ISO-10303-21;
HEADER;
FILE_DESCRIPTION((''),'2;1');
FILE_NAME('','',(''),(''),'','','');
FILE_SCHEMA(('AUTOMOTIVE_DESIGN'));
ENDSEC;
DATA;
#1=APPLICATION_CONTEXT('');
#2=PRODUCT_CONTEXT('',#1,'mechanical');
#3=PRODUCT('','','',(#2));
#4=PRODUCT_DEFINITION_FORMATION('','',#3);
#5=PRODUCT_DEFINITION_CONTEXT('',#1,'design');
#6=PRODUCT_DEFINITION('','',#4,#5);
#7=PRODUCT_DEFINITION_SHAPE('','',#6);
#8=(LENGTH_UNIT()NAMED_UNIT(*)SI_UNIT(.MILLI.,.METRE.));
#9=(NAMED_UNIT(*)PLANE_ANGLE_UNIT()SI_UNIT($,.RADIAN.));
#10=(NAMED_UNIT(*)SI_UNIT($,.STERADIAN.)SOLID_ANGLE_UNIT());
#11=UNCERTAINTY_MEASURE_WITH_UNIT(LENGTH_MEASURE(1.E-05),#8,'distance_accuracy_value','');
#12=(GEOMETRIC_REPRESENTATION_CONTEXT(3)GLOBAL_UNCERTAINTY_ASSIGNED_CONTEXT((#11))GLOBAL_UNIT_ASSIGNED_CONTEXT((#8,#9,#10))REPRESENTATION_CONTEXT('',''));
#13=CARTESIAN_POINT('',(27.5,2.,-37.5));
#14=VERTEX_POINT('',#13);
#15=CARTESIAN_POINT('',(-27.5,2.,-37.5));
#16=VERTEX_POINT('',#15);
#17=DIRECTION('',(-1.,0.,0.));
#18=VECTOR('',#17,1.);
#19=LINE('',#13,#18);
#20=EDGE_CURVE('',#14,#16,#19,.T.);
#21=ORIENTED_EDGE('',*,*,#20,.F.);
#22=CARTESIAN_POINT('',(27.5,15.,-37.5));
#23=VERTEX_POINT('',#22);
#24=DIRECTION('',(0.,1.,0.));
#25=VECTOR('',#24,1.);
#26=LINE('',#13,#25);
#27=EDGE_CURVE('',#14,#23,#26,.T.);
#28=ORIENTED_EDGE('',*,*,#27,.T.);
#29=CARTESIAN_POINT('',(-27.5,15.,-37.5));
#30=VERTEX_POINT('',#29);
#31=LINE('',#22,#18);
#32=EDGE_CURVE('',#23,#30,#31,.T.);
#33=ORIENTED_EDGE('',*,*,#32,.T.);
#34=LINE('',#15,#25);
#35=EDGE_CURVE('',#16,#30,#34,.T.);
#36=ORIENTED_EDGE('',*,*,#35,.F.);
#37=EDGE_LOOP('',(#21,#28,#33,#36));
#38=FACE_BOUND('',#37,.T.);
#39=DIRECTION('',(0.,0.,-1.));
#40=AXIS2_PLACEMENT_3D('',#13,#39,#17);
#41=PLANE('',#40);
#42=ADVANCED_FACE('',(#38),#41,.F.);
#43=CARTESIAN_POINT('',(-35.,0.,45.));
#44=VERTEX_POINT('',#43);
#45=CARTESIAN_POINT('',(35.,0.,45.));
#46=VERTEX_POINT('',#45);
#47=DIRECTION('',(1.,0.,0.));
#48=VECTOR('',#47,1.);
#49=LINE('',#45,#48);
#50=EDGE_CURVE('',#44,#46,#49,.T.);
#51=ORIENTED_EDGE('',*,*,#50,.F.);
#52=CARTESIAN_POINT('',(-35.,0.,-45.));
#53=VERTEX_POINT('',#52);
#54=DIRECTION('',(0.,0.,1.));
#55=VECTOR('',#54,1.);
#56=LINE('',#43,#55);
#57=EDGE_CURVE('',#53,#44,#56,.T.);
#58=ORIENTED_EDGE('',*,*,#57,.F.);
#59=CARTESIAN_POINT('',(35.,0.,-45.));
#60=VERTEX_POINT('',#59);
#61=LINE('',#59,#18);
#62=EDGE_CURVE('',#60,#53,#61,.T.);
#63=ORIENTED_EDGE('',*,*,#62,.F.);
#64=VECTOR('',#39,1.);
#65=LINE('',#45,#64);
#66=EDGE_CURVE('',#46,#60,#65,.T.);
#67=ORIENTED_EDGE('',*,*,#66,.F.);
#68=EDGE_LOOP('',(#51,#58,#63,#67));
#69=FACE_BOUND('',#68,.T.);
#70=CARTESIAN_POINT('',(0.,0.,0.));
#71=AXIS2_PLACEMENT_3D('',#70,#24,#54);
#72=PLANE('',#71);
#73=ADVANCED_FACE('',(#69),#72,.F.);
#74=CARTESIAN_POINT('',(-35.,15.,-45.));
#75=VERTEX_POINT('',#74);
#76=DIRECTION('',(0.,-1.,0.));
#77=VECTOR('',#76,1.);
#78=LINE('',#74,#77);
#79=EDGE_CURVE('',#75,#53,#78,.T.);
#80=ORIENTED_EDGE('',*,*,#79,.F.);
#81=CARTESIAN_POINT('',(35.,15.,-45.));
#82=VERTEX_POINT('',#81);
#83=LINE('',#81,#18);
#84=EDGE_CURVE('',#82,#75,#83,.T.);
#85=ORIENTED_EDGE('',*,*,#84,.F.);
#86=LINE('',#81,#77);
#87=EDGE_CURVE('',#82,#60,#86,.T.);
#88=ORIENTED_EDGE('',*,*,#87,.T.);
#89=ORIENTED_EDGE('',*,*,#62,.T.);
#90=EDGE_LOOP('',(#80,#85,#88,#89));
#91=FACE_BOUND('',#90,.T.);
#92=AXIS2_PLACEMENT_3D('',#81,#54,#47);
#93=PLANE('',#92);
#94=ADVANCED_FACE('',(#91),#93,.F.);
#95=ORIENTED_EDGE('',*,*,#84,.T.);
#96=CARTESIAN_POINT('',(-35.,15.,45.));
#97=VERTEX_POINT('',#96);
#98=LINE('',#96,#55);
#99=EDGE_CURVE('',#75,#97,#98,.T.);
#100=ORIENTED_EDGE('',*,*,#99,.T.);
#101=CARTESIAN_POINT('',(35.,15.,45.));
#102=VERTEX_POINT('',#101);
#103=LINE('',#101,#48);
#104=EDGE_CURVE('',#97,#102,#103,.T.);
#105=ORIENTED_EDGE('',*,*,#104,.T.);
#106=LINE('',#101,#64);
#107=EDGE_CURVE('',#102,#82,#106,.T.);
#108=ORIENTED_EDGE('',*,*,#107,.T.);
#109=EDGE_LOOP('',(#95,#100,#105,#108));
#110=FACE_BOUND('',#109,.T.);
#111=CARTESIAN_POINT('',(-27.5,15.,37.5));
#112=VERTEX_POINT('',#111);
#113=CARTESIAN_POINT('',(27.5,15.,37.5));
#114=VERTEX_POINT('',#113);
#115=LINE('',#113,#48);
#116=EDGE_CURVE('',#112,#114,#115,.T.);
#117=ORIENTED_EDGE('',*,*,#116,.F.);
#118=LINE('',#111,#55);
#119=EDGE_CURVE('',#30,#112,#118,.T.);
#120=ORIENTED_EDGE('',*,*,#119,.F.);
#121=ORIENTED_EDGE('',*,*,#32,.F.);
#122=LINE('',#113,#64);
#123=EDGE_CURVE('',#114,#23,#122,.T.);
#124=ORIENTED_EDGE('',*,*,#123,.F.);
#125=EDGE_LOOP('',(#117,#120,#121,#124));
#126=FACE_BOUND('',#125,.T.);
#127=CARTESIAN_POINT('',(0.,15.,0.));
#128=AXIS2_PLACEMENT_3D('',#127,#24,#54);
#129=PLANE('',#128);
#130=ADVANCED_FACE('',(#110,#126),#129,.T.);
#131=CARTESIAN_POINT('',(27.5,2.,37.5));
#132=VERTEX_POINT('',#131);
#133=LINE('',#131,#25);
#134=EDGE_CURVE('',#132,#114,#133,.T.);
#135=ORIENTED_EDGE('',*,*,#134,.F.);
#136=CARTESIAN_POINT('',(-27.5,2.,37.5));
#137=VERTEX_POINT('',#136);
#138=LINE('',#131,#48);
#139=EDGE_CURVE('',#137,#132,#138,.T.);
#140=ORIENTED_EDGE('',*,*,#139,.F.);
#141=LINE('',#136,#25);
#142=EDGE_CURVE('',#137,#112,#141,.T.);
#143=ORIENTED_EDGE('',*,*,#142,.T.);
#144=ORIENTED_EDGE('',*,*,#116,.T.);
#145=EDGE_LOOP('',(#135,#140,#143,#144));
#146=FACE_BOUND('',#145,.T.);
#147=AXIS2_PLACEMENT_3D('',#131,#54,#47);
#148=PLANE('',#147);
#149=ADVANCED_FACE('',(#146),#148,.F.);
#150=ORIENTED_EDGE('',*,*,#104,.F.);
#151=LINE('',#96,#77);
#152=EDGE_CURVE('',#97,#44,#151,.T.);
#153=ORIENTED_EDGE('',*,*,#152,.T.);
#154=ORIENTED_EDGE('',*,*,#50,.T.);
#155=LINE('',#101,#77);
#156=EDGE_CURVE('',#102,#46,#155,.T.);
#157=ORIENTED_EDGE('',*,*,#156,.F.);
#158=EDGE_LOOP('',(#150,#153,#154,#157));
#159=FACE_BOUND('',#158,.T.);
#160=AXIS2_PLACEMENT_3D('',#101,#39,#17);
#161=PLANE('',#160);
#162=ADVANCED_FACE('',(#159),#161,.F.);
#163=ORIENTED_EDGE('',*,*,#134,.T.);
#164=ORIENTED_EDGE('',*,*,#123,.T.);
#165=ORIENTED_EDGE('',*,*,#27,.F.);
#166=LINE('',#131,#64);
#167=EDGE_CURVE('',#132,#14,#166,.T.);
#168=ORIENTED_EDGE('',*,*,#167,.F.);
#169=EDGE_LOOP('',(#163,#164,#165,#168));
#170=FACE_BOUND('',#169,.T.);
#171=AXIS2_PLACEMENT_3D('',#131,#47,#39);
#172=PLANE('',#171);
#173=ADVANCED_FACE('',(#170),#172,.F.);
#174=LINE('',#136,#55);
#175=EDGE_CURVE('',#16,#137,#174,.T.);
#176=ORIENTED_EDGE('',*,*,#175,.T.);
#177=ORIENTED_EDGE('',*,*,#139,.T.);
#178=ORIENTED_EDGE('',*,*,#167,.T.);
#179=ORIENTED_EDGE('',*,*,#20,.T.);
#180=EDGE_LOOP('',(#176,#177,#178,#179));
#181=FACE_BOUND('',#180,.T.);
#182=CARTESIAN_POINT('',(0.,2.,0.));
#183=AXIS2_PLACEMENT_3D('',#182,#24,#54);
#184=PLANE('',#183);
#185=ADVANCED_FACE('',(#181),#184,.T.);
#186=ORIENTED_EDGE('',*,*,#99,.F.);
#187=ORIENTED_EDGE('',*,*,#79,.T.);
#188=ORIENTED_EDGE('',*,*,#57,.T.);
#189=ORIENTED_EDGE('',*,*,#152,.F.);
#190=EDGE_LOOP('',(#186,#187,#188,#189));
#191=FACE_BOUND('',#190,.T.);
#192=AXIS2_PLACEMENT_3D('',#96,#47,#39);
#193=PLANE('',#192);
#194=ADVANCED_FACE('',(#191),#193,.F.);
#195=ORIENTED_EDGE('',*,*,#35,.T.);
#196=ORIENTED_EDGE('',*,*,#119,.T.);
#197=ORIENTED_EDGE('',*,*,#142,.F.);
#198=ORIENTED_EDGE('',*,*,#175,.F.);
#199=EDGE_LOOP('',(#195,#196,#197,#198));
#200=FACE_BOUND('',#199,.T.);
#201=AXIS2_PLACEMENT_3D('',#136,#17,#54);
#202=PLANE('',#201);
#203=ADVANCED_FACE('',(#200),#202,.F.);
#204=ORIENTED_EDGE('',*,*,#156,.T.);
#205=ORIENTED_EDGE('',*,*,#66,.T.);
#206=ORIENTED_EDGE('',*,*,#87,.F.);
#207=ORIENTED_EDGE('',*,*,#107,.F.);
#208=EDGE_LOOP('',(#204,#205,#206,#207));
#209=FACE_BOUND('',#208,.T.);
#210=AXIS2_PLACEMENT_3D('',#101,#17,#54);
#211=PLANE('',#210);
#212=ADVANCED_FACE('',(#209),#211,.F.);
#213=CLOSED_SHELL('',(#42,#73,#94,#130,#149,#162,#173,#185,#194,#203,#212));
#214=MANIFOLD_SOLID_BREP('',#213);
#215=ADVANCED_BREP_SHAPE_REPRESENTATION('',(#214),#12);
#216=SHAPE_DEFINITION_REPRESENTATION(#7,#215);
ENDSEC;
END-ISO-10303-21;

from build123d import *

# Parameters (mm, degrees)
SKETCH1_W           = 70
SKETCH1_H           = 90
BOSS_EXTRUDE1_DEPTH = 15
SKETCH2_W           = 55
SKETCH2_H           = 75
CUT_EXTRUDE1_DEPTH  = 13


with BuildPart() as part:
    # Sketch1 → Boss-Extrude1 (new body)
    with BuildSketch(Plane(origin=(0, 0, 0), x_dir=(1, 0, 0), z_dir=(0, 1, 0))):
        Rectangle(SKETCH1_W, SKETCH1_H)
    extrude(amount=BOSS_EXTRUDE1_DEPTH)

    # Sketch2 → Cut-Extrude1 (cut)
    with BuildSketch(Plane(origin=(0, 15, 0), x_dir=(1, 0, 0), z_dir=(0, 1, 0))):
        Rectangle(SKETCH2_W, SKETCH2_H)
    extrude(amount=-CUT_EXTRUDE1_DEPTH, mode=Mode.SUBTRACT)


solid = part.part
